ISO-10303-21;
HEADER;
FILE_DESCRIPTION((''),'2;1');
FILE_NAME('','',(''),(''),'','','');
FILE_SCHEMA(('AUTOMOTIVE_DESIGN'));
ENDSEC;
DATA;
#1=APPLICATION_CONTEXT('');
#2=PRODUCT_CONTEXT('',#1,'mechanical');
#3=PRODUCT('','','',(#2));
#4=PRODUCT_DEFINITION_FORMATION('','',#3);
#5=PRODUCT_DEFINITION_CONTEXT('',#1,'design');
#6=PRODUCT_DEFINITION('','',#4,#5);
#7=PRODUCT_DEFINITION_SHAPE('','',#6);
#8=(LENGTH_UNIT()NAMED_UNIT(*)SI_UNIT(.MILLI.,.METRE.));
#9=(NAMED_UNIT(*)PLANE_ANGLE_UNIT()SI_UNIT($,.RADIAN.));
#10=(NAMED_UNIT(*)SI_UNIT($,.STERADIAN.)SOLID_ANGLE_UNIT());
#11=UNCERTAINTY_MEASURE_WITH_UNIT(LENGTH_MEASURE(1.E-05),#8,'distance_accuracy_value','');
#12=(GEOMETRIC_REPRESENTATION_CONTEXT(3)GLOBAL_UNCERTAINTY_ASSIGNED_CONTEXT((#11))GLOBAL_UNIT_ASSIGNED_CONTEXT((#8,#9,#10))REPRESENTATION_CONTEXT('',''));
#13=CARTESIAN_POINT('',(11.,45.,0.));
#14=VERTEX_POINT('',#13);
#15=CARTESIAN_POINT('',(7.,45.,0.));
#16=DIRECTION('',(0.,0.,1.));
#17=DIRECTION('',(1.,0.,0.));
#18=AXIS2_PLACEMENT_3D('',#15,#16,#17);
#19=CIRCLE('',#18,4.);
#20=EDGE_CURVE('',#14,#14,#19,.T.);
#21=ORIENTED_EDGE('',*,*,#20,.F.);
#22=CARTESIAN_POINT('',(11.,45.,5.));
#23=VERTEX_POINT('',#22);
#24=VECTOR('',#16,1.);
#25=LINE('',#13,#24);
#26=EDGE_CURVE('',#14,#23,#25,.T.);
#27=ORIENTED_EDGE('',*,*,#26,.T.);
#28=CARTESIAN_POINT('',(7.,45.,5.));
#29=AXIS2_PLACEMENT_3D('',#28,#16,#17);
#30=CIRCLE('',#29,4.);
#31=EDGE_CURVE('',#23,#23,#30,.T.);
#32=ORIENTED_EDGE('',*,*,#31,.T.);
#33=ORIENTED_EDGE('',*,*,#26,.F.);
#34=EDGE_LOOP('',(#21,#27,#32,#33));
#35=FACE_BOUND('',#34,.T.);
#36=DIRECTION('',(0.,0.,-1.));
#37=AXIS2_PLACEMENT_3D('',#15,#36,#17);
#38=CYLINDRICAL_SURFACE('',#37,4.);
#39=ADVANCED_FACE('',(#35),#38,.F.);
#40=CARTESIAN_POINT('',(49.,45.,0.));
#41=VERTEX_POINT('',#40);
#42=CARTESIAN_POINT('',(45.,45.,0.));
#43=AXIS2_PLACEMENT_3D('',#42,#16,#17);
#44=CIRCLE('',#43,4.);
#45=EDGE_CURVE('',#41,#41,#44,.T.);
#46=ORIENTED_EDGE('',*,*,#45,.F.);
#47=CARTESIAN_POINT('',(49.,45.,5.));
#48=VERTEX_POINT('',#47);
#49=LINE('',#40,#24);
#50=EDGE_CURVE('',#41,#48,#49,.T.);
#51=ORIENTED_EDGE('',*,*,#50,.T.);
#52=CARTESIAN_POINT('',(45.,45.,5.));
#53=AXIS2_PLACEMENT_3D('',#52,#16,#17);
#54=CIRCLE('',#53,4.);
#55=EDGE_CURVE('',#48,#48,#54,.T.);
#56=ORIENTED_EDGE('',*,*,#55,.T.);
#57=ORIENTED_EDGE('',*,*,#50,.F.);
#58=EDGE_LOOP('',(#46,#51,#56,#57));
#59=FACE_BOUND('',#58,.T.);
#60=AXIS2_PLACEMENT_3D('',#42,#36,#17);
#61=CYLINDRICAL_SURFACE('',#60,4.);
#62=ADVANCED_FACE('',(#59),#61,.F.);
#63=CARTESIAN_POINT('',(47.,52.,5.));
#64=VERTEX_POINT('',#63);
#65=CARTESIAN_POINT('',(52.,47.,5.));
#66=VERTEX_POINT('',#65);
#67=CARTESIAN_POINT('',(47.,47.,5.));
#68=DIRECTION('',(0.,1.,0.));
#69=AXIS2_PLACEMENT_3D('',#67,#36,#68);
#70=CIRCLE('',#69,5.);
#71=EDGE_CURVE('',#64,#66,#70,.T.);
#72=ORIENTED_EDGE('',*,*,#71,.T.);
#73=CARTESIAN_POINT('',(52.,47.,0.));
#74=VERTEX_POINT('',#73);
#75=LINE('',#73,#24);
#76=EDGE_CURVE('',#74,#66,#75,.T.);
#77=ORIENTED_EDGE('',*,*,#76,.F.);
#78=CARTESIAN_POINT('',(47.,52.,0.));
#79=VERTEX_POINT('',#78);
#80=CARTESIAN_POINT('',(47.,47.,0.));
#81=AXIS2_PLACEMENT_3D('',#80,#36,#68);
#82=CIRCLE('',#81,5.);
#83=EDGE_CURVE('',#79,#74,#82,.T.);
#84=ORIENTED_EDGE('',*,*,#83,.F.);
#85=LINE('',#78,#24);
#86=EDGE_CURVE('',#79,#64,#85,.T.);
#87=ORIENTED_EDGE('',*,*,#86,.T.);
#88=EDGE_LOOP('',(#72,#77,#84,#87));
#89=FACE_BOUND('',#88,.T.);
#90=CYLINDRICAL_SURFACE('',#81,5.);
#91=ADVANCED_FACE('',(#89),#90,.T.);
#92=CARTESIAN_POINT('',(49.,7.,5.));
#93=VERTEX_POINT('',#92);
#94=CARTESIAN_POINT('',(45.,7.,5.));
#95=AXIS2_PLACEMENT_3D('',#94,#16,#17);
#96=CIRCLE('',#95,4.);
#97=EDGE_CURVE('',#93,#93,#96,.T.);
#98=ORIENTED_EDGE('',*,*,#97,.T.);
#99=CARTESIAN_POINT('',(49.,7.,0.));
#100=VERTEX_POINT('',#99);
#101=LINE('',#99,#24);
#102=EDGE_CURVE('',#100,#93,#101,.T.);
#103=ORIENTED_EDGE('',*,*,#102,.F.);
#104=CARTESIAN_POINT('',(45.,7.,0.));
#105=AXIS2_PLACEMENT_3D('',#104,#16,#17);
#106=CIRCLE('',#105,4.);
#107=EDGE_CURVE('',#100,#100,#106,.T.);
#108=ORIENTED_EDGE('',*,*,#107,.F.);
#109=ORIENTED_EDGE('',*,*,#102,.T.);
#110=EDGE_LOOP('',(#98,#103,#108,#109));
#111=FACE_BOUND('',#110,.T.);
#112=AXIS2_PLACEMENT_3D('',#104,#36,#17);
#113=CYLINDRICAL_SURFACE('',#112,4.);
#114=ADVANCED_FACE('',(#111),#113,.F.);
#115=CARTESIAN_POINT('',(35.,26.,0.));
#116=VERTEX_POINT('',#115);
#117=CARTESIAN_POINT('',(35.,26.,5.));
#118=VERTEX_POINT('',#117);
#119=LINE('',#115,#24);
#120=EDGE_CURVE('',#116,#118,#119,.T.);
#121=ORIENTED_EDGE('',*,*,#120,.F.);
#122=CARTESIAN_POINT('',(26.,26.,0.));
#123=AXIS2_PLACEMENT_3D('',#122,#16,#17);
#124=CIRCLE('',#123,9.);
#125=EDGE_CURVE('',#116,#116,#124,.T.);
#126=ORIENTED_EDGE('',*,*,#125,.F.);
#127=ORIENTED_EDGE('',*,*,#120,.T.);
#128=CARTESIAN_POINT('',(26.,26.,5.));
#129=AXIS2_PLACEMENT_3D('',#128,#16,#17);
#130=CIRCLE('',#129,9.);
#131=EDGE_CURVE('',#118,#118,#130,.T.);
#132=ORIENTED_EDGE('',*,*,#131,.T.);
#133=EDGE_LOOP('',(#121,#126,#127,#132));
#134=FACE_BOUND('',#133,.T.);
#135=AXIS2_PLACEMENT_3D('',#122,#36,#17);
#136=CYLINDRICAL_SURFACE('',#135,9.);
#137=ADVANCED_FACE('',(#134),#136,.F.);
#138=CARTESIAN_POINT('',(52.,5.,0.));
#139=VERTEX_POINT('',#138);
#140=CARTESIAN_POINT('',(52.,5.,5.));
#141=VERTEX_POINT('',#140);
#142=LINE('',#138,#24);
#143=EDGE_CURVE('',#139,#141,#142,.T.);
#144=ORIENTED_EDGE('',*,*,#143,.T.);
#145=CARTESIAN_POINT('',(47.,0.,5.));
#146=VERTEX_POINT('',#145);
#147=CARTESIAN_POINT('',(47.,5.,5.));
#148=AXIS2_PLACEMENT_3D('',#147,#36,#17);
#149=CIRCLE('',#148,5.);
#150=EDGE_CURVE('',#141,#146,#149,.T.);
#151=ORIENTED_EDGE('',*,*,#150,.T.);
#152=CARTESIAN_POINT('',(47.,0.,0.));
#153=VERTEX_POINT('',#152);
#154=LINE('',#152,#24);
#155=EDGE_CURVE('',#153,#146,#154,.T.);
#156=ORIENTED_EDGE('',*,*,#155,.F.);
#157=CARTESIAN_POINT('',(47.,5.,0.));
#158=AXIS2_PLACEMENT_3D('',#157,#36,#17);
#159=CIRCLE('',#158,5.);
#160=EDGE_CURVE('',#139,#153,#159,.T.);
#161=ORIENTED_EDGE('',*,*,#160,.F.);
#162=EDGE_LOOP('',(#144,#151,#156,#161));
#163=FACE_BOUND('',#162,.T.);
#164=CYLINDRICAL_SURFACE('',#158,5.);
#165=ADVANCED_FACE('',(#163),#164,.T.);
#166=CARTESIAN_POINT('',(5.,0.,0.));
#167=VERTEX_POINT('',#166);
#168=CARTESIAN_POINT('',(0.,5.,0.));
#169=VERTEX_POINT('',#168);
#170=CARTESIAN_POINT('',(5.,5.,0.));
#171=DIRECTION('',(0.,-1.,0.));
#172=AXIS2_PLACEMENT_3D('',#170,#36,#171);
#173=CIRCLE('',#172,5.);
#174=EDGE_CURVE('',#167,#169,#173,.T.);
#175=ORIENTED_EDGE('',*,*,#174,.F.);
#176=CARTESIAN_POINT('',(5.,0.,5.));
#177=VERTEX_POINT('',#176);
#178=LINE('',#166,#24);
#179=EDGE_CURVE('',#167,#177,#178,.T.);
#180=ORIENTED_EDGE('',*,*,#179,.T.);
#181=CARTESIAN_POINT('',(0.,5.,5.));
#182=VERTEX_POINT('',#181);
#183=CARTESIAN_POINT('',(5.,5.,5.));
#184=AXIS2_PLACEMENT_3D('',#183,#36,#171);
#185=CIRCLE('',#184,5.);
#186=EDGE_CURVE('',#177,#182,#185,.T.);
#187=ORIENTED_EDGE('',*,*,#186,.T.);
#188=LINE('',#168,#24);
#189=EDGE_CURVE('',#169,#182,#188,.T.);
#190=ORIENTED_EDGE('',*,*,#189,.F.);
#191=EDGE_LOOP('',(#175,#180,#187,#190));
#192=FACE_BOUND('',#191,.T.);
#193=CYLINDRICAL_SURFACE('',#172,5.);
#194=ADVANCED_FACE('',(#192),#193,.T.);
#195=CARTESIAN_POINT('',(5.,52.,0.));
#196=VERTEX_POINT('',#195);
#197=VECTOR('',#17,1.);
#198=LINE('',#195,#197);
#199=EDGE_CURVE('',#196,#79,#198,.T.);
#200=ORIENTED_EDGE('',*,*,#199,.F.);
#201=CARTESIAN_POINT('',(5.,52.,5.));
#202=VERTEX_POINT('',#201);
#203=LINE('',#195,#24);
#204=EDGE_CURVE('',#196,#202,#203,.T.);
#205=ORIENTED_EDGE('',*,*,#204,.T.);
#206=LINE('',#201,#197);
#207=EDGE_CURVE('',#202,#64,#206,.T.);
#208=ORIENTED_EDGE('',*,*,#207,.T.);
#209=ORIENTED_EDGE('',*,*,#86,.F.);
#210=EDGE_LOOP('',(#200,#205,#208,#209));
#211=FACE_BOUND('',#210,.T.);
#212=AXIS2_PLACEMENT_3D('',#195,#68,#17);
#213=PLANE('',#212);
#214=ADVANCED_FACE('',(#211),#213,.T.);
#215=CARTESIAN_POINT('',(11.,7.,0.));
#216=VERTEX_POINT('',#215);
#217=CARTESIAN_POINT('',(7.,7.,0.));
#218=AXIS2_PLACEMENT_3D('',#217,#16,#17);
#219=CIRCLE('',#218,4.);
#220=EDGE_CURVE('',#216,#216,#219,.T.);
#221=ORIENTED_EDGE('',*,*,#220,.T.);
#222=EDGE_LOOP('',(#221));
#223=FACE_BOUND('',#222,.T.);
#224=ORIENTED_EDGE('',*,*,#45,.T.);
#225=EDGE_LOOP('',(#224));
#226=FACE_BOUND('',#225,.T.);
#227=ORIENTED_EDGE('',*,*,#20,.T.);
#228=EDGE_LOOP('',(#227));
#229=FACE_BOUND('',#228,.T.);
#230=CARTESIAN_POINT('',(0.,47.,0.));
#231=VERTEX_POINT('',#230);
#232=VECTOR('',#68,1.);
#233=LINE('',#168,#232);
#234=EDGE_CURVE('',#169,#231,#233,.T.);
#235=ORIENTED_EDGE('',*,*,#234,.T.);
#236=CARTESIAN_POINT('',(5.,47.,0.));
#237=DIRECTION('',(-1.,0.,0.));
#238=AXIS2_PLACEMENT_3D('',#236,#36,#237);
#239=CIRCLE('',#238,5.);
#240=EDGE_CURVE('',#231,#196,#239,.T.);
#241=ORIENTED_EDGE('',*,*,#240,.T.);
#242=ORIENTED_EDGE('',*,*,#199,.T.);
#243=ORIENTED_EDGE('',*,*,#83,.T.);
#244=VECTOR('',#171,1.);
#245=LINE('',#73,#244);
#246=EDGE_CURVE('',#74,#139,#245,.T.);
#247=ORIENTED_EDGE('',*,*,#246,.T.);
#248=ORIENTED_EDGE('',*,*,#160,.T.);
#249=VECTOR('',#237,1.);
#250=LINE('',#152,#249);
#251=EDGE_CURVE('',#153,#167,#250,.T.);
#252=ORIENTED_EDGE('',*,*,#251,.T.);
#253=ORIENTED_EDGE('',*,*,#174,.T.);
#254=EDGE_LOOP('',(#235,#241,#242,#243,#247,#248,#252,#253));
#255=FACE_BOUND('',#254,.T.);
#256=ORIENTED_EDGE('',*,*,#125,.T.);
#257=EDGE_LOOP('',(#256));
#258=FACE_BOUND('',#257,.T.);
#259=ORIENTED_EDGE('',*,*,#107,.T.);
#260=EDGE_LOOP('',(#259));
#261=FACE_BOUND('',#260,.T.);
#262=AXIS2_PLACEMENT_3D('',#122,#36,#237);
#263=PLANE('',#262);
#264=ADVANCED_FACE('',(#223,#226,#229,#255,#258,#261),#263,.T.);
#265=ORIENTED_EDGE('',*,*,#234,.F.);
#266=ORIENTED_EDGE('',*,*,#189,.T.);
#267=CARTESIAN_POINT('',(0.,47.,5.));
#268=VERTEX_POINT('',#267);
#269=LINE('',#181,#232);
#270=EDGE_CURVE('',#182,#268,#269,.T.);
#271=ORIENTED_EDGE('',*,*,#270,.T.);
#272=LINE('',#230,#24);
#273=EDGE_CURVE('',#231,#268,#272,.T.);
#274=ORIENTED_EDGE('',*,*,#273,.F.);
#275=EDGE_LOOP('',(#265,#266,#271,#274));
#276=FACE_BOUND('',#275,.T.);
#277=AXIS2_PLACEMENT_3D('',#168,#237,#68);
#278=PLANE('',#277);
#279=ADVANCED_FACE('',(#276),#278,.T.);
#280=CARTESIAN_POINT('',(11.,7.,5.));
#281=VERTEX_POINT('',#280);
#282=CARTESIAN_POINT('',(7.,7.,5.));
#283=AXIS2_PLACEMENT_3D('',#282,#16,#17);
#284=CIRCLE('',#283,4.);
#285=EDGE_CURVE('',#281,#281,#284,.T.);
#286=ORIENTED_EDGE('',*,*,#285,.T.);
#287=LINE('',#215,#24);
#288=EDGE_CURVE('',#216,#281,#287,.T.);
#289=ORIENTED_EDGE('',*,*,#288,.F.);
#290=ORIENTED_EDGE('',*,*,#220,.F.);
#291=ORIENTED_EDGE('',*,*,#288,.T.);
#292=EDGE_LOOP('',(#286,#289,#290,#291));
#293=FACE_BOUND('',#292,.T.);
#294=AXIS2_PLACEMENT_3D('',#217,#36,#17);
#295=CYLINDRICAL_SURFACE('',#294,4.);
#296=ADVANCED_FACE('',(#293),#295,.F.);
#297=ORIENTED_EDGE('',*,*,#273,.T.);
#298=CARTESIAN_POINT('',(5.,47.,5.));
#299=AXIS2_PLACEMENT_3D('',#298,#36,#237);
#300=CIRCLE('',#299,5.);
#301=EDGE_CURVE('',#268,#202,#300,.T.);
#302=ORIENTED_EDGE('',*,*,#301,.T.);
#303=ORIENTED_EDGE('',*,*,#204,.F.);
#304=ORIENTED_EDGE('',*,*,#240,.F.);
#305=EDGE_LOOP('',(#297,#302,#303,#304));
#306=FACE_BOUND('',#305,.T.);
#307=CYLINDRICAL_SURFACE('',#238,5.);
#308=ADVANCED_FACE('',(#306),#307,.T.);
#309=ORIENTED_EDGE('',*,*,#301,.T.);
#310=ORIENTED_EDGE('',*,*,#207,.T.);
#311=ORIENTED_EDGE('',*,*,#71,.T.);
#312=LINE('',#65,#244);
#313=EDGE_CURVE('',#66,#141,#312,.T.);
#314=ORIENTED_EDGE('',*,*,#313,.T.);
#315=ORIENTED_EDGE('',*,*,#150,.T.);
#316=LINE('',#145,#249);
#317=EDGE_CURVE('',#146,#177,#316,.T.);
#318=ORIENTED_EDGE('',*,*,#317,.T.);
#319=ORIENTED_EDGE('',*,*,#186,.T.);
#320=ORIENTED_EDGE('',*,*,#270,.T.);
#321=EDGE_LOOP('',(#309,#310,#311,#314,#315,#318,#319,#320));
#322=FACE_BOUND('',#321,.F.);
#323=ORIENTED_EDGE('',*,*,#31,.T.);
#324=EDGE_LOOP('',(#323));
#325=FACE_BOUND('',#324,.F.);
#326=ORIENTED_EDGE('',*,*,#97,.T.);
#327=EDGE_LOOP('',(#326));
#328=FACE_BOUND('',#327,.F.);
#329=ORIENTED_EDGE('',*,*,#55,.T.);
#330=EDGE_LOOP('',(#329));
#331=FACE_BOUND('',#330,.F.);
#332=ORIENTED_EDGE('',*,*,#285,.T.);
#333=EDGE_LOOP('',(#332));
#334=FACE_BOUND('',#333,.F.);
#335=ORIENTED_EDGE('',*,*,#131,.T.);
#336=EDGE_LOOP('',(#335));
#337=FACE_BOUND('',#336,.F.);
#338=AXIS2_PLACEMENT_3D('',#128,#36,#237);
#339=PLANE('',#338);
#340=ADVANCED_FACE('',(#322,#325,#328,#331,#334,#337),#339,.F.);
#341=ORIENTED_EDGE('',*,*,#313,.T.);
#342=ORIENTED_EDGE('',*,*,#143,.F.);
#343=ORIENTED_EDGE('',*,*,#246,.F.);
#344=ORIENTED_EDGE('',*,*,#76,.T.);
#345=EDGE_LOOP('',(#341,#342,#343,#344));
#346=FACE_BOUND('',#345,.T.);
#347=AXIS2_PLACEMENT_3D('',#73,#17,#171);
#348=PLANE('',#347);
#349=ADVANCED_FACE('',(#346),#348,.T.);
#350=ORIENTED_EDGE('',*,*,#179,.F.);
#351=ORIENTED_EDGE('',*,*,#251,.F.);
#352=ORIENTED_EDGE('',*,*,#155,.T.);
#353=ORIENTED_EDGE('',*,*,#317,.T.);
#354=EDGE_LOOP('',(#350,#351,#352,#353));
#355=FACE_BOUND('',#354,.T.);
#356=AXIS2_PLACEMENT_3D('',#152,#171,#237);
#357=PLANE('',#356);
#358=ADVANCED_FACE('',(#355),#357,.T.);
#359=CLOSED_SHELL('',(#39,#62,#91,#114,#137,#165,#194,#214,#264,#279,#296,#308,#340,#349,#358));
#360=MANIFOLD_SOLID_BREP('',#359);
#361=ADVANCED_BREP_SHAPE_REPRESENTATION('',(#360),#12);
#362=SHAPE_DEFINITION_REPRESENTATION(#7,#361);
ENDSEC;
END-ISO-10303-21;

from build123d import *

# Parameters (mm, degrees)
SCHIZZO1_R                   = 4
SCHIZZO1_R_2                 = 9
ESTRUSIONE_ESTRUSIONE1_DEPTH = 5


with BuildPart() as part:
    # Schizzo1 → Estrusione-Estrusione1 (new body)
    with BuildSketch(Plane.XY):
        with BuildLine():
            Line((5, 52), (47, 52))
            ThreePointArc((47, 52), (50.535533906, 50.535533906), (52, 47))
            Line((52, 47), (52, 5))
            ThreePointArc((52, 5), (50.535533906, 1.464466094), (47, 0))
            Line((47, 0), (5, 0))
            ThreePointArc((5, 0), (1.464466094, 1.464466094), (0, 5))
            Line((0, 5), (0, 47))
            ThreePointArc((0, 47), (1.464466094, 50.535533906), (5, 52))
        make_face()
        with Locations((7, 45)):
            Circle(SCHIZZO1_R, mode=Mode.SUBTRACT)
        with Locations((45, 45)):
            Circle(SCHIZZO1_R, mode=Mode.SUBTRACT)
        with Locations((7, 7)):
            Circle(SCHIZZO1_R, mode=Mode.SUBTRACT)
        with Locations((45, 7)):
            Circle(SCHIZZO1_R, mode=Mode.SUBTRACT)
        with Locations((26, 26)):
            Circle(SCHIZZO1_R_2, mode=Mode.SUBTRACT)
    extrude(amount=ESTRUSIONE_ESTRUSIONE1_DEPTH)


solid = part.part
